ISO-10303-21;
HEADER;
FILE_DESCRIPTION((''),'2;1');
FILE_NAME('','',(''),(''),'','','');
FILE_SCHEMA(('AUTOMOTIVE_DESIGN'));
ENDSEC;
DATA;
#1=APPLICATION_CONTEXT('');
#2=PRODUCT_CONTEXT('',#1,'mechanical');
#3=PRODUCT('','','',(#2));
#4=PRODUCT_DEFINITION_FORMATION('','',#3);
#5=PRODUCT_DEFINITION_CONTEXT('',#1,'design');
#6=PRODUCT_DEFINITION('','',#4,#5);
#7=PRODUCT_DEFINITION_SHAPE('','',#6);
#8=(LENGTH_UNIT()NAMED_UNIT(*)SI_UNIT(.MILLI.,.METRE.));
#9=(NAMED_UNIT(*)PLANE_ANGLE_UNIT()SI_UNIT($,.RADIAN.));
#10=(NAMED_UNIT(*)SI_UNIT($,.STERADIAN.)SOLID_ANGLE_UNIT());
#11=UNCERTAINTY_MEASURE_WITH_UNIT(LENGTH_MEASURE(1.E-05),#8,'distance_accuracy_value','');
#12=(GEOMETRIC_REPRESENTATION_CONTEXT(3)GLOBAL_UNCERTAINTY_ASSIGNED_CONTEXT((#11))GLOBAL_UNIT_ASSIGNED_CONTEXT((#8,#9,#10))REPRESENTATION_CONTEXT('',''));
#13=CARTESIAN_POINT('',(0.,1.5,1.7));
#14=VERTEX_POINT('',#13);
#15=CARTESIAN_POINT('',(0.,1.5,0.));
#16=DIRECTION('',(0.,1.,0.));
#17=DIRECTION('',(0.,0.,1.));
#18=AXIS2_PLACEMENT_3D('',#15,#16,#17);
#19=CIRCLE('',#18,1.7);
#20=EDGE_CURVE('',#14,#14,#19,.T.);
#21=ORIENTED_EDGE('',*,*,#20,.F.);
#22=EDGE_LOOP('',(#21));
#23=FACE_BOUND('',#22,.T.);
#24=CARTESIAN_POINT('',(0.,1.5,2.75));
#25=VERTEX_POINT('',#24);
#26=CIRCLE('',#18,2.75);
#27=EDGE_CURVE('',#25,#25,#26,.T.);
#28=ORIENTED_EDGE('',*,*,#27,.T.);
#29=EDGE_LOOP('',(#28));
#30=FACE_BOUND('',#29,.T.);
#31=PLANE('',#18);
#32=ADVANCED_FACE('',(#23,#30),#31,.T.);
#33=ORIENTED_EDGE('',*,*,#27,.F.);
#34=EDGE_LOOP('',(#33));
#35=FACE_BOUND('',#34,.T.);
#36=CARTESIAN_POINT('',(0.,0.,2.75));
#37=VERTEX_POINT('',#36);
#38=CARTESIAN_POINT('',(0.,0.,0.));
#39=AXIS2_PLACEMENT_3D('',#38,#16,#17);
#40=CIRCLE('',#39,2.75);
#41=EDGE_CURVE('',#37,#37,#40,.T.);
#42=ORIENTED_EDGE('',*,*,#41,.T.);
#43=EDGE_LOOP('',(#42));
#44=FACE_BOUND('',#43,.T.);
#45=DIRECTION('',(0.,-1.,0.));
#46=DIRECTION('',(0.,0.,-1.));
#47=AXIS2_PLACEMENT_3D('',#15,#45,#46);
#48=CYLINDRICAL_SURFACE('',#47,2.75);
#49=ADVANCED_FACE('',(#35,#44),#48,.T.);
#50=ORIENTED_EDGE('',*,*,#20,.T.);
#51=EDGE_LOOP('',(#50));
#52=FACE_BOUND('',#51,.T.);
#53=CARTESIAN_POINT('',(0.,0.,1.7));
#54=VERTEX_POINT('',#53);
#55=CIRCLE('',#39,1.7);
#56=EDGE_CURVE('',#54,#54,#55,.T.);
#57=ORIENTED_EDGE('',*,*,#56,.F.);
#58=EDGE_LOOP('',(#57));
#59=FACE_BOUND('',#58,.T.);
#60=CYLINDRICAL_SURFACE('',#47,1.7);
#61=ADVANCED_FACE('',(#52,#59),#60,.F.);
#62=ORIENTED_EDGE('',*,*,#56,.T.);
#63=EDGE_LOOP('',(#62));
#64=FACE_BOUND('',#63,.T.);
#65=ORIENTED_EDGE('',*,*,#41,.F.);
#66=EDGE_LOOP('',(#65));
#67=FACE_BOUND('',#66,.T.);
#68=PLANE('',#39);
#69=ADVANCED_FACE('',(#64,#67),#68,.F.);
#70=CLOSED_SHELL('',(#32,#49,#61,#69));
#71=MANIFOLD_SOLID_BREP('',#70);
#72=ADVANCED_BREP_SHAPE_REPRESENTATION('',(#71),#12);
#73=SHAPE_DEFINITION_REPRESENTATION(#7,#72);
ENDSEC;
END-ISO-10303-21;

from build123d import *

# Parameters (mm, degrees)
SKETCH1_R           = 2.75
SKETCH1_R_2         = 1.7
BOSS_EXTRUDE1_DEPTH = 1.5


with BuildPart() as part:
    # Sketch1 → Boss-Extrude1 (new body)
    with BuildSketch(Plane(origin=(0, 0, 0), x_dir=(1, 0, 0), z_dir=(0, 1, 0))):
        with Locations(Location((0, 0, 0), (0, 0, 270))):
            Circle(SKETCH1_R)
        with Locations(Location((0, 0, 0), (0, 0, 270))):
            Circle(SKETCH1_R_2, mode=Mode.SUBTRACT)
    extrude(amount=BOSS_EXTRUDE1_DEPTH)


solid = part.part
